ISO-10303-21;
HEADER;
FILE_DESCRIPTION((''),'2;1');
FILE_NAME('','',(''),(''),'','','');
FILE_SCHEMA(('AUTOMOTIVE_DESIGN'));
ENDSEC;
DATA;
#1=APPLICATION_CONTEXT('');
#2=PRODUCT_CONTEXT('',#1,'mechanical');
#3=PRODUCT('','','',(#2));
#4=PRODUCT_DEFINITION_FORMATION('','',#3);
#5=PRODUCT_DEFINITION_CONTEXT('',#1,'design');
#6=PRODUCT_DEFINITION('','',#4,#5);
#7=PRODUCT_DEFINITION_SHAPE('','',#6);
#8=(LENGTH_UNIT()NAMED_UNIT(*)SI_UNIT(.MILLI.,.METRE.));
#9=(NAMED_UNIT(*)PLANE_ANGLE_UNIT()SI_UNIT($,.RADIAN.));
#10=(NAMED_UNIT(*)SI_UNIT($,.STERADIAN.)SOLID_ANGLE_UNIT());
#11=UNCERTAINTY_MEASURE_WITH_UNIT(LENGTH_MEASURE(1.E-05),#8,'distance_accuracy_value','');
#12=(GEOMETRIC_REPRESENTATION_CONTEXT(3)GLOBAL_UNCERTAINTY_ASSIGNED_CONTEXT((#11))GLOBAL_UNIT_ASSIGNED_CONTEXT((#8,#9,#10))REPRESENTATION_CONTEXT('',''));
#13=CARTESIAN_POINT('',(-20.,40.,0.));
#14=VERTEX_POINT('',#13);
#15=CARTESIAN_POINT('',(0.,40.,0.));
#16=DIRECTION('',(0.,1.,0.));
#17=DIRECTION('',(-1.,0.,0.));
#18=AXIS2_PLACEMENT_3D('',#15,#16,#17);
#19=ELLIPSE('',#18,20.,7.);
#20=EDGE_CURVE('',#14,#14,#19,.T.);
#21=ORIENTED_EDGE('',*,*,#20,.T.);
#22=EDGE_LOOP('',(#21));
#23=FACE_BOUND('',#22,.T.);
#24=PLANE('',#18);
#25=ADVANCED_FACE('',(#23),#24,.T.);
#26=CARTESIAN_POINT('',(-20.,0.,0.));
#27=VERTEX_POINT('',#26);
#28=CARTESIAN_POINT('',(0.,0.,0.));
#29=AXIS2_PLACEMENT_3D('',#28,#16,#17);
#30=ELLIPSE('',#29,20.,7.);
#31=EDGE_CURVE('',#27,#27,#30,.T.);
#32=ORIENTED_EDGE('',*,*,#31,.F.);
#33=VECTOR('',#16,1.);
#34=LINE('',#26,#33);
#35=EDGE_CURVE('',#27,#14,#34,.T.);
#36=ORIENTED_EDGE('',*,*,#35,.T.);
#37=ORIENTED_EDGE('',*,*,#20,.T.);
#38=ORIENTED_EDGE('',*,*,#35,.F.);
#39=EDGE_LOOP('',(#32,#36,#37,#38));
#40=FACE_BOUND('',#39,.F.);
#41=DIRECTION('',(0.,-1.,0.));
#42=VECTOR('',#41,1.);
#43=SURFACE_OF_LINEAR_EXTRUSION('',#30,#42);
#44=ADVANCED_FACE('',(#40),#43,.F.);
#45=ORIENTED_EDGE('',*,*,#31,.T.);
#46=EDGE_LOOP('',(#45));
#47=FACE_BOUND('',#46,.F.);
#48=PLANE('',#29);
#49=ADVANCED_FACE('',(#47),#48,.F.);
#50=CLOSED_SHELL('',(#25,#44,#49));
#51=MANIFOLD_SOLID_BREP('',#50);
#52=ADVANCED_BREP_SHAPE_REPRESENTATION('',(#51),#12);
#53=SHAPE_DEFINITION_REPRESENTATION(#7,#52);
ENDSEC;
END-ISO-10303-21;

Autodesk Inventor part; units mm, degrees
ref_plane "YZ Plane" through (0, 0, 0) normal (1, 0, 0) x (0, 1, 0)
ref_plane "XZ Plane" through (0, 0, 0) normal (0, 1, 0) x (-1, 0, 0)
ref_plane "XY Plane" through (0, 0, 0) normal (0, 0, 1) x (1, 0, 0)
sketch "Boceto1" plane through (0, 0, 0) normal (0, 1, 0) x (-1, 0, 0)
  ellipse E0 centre (0, 0) end of major axis (20, 0) minor radius 7
  line L0 (0, -7) -> (0, 7) construction
  line L1 (20, 0) -> (-20, 0) construction
  point P0 (0, 0)
  dimension "d1" = 7
  dimension "d11" = 40
extrude "Extrusión1" add sketch "Boceto1" along normal blind 40
ref_plane "Plano de trabajo1" through (0, 20, 0) normal (0, 1, 0) x (1, 0, 0)
sketch "Boceto3" plane through (0, 20, 0) normal (0, 1, 0) x (1, 0, 0)
  line L0 (0, 0) -> (0, -5.552)
  ellipse E0 centre (0, 0) end of major axis (-20, 0) minor radius 7 projected
ref_plane "Plano de trabajo3" through (0, 20, 5.552) normal (0, 0, 1) x (1, 0, 0)
sketch "Boceto4" plane through (0, 20, 5.552) normal (0, 0, 1) x (1, 0, 0)
  spline S0 degree 4 poles (-20.0856, -5) (-5.2067, 62.3041) (2.4144, -94.7389) (10.0356, 62.3041) (24.9144, -5) knots 0 0 0 0 0 1 1 1 1 1
  line L0 (-29.7165, 0) -> (34.5494, 0) projected
  line L1 (20, 20) -> (-20, 20) projected
  point P0 (0, -20)
  point P1 (-7.0856, 7)
  point P2 (1.8518, 0)
  point P3 (11.9144, 7)
  point P4 (2.4144, -5)
  dimension "d5" = 12
  dimension "d6" = 45
  dimension "d7" = 13
  dimension "d8" = 13
  dimension "d10" = 12
  dimension "d13" = 25
  dimension "d14" = 25
  dimension "d15" = 25
  dimension "d16" = 22.5
sketch "Boceto5" plane through (0, 20, 0) normal (0, 1, 0) x (1, 0, 0)
  line L0 (-31.0058, 0) -> (28.5468, 0)
  point P0 (0, 0)
ref_plane "Plano de trabajo4" through (-31.0058, 20, 0) normal (0, 0, 1) x (1, 0, 0)
sketch "Boceto6" plane through (-31.0058, 20, 0) normal (0, 0, 1) x (1, 0, 0)
  line L0 (-29.7165, 0) -> (34.5494, 0)
  line L1 (20, 20) -> (-20, 20)
  point P0 (31.0058, -20)
  point P1 (0, -20)
  point P2 (1.8518, 0)
equation "\"Radio_pliegue\" = Grosor"
equation "\"Anchura_desahogo_plegado\" = Grosor"
equation "\"Profundidad_desahogo_plegado\" = 0.5 * Grosor"
equation "\"Tamaño_destalonado\" = 4 * Grosor"
equation "\"Remanente_mínimo\" = 2 * Grosor"
equation "\"Radiodetransición\" = Radio_pliegue"
equation "\"Tamaño_de_radio_de_Jacobi\" = Radio_pliegue"
equation "\"TamañoSeparación\" = Grosor"
equation "\"Grosor\" = 0.5"
properties part number "Practica 15"
